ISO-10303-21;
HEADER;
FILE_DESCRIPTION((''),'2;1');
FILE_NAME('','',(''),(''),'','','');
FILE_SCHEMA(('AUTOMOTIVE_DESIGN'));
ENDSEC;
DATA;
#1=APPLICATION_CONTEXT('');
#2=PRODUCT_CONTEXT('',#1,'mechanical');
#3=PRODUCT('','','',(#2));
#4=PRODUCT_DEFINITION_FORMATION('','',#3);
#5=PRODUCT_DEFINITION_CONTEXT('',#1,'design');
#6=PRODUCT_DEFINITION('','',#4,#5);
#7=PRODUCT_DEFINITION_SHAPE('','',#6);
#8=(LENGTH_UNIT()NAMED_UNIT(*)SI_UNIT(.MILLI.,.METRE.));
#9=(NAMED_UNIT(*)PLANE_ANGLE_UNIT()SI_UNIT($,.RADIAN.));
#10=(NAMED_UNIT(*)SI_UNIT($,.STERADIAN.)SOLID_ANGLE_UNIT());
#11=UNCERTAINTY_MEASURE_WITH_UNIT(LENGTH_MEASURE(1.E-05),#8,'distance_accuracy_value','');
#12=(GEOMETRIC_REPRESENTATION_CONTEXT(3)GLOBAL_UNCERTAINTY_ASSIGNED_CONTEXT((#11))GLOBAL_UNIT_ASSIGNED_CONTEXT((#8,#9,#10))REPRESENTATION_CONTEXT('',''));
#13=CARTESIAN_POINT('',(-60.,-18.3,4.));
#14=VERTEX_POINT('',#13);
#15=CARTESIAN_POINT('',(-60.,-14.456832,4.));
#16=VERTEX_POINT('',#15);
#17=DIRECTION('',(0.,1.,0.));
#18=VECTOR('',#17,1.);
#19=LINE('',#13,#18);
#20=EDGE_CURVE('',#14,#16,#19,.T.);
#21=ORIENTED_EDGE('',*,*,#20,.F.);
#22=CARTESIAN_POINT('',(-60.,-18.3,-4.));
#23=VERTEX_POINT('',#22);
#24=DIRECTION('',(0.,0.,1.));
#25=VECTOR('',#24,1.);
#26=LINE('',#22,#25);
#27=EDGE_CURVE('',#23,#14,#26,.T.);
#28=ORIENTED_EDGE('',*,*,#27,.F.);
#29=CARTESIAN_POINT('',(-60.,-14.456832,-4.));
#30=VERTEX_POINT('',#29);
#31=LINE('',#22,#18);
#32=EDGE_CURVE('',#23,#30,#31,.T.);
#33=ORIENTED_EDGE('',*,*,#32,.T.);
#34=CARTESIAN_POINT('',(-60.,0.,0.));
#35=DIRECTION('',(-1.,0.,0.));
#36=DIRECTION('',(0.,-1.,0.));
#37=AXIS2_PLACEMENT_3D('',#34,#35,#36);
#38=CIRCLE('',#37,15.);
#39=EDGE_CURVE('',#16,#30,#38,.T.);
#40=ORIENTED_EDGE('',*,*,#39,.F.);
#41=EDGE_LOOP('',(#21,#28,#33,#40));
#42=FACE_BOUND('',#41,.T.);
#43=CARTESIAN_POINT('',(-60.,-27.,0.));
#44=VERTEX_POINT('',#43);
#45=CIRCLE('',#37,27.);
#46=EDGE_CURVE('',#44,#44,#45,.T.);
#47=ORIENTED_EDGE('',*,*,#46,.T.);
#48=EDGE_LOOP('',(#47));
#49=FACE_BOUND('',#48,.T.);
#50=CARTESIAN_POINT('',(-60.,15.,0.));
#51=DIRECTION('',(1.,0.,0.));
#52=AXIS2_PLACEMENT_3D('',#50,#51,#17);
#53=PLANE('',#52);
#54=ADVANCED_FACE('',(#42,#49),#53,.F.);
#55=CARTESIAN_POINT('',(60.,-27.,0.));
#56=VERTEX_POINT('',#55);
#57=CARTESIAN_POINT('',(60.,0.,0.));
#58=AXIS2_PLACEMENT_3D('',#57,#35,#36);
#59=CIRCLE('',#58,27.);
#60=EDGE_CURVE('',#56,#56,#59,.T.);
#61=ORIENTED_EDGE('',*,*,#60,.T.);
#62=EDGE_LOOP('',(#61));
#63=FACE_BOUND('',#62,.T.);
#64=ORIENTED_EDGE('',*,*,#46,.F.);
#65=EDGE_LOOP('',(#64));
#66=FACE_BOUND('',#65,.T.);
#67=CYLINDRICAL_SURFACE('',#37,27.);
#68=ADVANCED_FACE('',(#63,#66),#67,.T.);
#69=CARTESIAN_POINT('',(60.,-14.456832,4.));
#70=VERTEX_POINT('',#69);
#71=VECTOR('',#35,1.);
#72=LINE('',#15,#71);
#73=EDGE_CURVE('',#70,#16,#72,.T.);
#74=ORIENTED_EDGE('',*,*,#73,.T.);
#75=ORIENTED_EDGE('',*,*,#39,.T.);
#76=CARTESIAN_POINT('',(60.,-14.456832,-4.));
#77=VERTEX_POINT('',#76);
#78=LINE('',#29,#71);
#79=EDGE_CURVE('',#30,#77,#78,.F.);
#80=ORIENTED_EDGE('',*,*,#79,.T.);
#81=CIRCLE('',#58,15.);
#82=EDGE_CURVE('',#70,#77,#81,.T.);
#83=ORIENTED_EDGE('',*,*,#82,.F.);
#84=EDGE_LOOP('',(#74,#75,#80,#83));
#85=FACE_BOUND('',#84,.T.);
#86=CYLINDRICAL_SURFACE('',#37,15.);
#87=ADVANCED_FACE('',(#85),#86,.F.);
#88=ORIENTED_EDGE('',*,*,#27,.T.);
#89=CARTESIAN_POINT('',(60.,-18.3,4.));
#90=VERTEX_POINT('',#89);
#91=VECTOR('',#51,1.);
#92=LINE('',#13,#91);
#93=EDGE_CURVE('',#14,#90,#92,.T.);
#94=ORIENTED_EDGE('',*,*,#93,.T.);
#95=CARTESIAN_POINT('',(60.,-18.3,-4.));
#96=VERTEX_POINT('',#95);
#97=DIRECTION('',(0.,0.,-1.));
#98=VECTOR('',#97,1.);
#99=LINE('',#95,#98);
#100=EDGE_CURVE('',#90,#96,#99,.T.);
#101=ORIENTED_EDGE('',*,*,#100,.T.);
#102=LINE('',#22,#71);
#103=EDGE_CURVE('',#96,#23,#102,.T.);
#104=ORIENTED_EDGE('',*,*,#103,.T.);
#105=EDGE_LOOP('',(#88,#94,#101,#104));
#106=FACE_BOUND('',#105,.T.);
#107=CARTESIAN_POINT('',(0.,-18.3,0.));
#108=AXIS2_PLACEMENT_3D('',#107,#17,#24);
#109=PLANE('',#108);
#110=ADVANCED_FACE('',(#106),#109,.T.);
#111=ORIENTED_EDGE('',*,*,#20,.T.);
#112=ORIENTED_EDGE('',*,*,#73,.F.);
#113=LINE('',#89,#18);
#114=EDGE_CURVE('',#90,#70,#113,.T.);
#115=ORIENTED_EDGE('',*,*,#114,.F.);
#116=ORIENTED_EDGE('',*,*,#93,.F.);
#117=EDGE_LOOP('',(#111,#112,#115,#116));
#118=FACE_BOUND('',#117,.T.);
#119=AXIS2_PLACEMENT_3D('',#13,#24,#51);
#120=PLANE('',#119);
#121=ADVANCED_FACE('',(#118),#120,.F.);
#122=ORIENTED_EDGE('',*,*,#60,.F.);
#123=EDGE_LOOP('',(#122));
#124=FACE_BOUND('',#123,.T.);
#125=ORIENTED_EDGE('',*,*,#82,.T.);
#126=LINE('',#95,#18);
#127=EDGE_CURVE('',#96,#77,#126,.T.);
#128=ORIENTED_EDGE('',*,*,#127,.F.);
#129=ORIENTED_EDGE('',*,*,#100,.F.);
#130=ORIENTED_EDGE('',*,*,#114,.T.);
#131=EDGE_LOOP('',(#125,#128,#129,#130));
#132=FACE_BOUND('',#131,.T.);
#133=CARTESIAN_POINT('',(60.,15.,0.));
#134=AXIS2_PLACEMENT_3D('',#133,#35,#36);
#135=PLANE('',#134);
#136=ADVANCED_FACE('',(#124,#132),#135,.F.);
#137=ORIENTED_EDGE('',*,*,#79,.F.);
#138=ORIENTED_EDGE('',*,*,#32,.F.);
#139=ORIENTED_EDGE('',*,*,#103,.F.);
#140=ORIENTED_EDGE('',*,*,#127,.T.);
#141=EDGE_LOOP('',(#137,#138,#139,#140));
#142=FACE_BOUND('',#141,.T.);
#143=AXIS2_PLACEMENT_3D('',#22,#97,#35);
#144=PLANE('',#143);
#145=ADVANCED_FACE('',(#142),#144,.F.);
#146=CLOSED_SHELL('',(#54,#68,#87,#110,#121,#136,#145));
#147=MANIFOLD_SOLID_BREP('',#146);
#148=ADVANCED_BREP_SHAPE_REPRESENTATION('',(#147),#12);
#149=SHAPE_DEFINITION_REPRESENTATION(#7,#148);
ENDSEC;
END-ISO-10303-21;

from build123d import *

# Parameters (mm, degrees)
IZIM1_W               = 120
IZIM1_H               = 12
IZIM2_W               = 120
IZIM2_H               = 8
KES_EKSTR_ZYON1_DEPTH = 18.3


with BuildPart() as part:
    # Çizim1 → Döndür1 (revolve)
    with BuildSketch(Plane.XY):
        with Locations((0, 21)):
            Rectangle(IZIM1_W, IZIM1_H)
    revolve(axis=Axis((-60, 0, 0), (1, 0, 0)))

    # Çizim2 → Kes-Ekstrüzyon1 (cut)
    with BuildSketch(Plane(origin=(0, 0, 0), x_dir=(1, 0, 0), z_dir=(0, 1, 0))):
        Rectangle(IZIM2_W, IZIM2_H)
    extrude(amount=-KES_EKSTR_ZYON1_DEPTH, mode=Mode.SUBTRACT)


solid = part.part
